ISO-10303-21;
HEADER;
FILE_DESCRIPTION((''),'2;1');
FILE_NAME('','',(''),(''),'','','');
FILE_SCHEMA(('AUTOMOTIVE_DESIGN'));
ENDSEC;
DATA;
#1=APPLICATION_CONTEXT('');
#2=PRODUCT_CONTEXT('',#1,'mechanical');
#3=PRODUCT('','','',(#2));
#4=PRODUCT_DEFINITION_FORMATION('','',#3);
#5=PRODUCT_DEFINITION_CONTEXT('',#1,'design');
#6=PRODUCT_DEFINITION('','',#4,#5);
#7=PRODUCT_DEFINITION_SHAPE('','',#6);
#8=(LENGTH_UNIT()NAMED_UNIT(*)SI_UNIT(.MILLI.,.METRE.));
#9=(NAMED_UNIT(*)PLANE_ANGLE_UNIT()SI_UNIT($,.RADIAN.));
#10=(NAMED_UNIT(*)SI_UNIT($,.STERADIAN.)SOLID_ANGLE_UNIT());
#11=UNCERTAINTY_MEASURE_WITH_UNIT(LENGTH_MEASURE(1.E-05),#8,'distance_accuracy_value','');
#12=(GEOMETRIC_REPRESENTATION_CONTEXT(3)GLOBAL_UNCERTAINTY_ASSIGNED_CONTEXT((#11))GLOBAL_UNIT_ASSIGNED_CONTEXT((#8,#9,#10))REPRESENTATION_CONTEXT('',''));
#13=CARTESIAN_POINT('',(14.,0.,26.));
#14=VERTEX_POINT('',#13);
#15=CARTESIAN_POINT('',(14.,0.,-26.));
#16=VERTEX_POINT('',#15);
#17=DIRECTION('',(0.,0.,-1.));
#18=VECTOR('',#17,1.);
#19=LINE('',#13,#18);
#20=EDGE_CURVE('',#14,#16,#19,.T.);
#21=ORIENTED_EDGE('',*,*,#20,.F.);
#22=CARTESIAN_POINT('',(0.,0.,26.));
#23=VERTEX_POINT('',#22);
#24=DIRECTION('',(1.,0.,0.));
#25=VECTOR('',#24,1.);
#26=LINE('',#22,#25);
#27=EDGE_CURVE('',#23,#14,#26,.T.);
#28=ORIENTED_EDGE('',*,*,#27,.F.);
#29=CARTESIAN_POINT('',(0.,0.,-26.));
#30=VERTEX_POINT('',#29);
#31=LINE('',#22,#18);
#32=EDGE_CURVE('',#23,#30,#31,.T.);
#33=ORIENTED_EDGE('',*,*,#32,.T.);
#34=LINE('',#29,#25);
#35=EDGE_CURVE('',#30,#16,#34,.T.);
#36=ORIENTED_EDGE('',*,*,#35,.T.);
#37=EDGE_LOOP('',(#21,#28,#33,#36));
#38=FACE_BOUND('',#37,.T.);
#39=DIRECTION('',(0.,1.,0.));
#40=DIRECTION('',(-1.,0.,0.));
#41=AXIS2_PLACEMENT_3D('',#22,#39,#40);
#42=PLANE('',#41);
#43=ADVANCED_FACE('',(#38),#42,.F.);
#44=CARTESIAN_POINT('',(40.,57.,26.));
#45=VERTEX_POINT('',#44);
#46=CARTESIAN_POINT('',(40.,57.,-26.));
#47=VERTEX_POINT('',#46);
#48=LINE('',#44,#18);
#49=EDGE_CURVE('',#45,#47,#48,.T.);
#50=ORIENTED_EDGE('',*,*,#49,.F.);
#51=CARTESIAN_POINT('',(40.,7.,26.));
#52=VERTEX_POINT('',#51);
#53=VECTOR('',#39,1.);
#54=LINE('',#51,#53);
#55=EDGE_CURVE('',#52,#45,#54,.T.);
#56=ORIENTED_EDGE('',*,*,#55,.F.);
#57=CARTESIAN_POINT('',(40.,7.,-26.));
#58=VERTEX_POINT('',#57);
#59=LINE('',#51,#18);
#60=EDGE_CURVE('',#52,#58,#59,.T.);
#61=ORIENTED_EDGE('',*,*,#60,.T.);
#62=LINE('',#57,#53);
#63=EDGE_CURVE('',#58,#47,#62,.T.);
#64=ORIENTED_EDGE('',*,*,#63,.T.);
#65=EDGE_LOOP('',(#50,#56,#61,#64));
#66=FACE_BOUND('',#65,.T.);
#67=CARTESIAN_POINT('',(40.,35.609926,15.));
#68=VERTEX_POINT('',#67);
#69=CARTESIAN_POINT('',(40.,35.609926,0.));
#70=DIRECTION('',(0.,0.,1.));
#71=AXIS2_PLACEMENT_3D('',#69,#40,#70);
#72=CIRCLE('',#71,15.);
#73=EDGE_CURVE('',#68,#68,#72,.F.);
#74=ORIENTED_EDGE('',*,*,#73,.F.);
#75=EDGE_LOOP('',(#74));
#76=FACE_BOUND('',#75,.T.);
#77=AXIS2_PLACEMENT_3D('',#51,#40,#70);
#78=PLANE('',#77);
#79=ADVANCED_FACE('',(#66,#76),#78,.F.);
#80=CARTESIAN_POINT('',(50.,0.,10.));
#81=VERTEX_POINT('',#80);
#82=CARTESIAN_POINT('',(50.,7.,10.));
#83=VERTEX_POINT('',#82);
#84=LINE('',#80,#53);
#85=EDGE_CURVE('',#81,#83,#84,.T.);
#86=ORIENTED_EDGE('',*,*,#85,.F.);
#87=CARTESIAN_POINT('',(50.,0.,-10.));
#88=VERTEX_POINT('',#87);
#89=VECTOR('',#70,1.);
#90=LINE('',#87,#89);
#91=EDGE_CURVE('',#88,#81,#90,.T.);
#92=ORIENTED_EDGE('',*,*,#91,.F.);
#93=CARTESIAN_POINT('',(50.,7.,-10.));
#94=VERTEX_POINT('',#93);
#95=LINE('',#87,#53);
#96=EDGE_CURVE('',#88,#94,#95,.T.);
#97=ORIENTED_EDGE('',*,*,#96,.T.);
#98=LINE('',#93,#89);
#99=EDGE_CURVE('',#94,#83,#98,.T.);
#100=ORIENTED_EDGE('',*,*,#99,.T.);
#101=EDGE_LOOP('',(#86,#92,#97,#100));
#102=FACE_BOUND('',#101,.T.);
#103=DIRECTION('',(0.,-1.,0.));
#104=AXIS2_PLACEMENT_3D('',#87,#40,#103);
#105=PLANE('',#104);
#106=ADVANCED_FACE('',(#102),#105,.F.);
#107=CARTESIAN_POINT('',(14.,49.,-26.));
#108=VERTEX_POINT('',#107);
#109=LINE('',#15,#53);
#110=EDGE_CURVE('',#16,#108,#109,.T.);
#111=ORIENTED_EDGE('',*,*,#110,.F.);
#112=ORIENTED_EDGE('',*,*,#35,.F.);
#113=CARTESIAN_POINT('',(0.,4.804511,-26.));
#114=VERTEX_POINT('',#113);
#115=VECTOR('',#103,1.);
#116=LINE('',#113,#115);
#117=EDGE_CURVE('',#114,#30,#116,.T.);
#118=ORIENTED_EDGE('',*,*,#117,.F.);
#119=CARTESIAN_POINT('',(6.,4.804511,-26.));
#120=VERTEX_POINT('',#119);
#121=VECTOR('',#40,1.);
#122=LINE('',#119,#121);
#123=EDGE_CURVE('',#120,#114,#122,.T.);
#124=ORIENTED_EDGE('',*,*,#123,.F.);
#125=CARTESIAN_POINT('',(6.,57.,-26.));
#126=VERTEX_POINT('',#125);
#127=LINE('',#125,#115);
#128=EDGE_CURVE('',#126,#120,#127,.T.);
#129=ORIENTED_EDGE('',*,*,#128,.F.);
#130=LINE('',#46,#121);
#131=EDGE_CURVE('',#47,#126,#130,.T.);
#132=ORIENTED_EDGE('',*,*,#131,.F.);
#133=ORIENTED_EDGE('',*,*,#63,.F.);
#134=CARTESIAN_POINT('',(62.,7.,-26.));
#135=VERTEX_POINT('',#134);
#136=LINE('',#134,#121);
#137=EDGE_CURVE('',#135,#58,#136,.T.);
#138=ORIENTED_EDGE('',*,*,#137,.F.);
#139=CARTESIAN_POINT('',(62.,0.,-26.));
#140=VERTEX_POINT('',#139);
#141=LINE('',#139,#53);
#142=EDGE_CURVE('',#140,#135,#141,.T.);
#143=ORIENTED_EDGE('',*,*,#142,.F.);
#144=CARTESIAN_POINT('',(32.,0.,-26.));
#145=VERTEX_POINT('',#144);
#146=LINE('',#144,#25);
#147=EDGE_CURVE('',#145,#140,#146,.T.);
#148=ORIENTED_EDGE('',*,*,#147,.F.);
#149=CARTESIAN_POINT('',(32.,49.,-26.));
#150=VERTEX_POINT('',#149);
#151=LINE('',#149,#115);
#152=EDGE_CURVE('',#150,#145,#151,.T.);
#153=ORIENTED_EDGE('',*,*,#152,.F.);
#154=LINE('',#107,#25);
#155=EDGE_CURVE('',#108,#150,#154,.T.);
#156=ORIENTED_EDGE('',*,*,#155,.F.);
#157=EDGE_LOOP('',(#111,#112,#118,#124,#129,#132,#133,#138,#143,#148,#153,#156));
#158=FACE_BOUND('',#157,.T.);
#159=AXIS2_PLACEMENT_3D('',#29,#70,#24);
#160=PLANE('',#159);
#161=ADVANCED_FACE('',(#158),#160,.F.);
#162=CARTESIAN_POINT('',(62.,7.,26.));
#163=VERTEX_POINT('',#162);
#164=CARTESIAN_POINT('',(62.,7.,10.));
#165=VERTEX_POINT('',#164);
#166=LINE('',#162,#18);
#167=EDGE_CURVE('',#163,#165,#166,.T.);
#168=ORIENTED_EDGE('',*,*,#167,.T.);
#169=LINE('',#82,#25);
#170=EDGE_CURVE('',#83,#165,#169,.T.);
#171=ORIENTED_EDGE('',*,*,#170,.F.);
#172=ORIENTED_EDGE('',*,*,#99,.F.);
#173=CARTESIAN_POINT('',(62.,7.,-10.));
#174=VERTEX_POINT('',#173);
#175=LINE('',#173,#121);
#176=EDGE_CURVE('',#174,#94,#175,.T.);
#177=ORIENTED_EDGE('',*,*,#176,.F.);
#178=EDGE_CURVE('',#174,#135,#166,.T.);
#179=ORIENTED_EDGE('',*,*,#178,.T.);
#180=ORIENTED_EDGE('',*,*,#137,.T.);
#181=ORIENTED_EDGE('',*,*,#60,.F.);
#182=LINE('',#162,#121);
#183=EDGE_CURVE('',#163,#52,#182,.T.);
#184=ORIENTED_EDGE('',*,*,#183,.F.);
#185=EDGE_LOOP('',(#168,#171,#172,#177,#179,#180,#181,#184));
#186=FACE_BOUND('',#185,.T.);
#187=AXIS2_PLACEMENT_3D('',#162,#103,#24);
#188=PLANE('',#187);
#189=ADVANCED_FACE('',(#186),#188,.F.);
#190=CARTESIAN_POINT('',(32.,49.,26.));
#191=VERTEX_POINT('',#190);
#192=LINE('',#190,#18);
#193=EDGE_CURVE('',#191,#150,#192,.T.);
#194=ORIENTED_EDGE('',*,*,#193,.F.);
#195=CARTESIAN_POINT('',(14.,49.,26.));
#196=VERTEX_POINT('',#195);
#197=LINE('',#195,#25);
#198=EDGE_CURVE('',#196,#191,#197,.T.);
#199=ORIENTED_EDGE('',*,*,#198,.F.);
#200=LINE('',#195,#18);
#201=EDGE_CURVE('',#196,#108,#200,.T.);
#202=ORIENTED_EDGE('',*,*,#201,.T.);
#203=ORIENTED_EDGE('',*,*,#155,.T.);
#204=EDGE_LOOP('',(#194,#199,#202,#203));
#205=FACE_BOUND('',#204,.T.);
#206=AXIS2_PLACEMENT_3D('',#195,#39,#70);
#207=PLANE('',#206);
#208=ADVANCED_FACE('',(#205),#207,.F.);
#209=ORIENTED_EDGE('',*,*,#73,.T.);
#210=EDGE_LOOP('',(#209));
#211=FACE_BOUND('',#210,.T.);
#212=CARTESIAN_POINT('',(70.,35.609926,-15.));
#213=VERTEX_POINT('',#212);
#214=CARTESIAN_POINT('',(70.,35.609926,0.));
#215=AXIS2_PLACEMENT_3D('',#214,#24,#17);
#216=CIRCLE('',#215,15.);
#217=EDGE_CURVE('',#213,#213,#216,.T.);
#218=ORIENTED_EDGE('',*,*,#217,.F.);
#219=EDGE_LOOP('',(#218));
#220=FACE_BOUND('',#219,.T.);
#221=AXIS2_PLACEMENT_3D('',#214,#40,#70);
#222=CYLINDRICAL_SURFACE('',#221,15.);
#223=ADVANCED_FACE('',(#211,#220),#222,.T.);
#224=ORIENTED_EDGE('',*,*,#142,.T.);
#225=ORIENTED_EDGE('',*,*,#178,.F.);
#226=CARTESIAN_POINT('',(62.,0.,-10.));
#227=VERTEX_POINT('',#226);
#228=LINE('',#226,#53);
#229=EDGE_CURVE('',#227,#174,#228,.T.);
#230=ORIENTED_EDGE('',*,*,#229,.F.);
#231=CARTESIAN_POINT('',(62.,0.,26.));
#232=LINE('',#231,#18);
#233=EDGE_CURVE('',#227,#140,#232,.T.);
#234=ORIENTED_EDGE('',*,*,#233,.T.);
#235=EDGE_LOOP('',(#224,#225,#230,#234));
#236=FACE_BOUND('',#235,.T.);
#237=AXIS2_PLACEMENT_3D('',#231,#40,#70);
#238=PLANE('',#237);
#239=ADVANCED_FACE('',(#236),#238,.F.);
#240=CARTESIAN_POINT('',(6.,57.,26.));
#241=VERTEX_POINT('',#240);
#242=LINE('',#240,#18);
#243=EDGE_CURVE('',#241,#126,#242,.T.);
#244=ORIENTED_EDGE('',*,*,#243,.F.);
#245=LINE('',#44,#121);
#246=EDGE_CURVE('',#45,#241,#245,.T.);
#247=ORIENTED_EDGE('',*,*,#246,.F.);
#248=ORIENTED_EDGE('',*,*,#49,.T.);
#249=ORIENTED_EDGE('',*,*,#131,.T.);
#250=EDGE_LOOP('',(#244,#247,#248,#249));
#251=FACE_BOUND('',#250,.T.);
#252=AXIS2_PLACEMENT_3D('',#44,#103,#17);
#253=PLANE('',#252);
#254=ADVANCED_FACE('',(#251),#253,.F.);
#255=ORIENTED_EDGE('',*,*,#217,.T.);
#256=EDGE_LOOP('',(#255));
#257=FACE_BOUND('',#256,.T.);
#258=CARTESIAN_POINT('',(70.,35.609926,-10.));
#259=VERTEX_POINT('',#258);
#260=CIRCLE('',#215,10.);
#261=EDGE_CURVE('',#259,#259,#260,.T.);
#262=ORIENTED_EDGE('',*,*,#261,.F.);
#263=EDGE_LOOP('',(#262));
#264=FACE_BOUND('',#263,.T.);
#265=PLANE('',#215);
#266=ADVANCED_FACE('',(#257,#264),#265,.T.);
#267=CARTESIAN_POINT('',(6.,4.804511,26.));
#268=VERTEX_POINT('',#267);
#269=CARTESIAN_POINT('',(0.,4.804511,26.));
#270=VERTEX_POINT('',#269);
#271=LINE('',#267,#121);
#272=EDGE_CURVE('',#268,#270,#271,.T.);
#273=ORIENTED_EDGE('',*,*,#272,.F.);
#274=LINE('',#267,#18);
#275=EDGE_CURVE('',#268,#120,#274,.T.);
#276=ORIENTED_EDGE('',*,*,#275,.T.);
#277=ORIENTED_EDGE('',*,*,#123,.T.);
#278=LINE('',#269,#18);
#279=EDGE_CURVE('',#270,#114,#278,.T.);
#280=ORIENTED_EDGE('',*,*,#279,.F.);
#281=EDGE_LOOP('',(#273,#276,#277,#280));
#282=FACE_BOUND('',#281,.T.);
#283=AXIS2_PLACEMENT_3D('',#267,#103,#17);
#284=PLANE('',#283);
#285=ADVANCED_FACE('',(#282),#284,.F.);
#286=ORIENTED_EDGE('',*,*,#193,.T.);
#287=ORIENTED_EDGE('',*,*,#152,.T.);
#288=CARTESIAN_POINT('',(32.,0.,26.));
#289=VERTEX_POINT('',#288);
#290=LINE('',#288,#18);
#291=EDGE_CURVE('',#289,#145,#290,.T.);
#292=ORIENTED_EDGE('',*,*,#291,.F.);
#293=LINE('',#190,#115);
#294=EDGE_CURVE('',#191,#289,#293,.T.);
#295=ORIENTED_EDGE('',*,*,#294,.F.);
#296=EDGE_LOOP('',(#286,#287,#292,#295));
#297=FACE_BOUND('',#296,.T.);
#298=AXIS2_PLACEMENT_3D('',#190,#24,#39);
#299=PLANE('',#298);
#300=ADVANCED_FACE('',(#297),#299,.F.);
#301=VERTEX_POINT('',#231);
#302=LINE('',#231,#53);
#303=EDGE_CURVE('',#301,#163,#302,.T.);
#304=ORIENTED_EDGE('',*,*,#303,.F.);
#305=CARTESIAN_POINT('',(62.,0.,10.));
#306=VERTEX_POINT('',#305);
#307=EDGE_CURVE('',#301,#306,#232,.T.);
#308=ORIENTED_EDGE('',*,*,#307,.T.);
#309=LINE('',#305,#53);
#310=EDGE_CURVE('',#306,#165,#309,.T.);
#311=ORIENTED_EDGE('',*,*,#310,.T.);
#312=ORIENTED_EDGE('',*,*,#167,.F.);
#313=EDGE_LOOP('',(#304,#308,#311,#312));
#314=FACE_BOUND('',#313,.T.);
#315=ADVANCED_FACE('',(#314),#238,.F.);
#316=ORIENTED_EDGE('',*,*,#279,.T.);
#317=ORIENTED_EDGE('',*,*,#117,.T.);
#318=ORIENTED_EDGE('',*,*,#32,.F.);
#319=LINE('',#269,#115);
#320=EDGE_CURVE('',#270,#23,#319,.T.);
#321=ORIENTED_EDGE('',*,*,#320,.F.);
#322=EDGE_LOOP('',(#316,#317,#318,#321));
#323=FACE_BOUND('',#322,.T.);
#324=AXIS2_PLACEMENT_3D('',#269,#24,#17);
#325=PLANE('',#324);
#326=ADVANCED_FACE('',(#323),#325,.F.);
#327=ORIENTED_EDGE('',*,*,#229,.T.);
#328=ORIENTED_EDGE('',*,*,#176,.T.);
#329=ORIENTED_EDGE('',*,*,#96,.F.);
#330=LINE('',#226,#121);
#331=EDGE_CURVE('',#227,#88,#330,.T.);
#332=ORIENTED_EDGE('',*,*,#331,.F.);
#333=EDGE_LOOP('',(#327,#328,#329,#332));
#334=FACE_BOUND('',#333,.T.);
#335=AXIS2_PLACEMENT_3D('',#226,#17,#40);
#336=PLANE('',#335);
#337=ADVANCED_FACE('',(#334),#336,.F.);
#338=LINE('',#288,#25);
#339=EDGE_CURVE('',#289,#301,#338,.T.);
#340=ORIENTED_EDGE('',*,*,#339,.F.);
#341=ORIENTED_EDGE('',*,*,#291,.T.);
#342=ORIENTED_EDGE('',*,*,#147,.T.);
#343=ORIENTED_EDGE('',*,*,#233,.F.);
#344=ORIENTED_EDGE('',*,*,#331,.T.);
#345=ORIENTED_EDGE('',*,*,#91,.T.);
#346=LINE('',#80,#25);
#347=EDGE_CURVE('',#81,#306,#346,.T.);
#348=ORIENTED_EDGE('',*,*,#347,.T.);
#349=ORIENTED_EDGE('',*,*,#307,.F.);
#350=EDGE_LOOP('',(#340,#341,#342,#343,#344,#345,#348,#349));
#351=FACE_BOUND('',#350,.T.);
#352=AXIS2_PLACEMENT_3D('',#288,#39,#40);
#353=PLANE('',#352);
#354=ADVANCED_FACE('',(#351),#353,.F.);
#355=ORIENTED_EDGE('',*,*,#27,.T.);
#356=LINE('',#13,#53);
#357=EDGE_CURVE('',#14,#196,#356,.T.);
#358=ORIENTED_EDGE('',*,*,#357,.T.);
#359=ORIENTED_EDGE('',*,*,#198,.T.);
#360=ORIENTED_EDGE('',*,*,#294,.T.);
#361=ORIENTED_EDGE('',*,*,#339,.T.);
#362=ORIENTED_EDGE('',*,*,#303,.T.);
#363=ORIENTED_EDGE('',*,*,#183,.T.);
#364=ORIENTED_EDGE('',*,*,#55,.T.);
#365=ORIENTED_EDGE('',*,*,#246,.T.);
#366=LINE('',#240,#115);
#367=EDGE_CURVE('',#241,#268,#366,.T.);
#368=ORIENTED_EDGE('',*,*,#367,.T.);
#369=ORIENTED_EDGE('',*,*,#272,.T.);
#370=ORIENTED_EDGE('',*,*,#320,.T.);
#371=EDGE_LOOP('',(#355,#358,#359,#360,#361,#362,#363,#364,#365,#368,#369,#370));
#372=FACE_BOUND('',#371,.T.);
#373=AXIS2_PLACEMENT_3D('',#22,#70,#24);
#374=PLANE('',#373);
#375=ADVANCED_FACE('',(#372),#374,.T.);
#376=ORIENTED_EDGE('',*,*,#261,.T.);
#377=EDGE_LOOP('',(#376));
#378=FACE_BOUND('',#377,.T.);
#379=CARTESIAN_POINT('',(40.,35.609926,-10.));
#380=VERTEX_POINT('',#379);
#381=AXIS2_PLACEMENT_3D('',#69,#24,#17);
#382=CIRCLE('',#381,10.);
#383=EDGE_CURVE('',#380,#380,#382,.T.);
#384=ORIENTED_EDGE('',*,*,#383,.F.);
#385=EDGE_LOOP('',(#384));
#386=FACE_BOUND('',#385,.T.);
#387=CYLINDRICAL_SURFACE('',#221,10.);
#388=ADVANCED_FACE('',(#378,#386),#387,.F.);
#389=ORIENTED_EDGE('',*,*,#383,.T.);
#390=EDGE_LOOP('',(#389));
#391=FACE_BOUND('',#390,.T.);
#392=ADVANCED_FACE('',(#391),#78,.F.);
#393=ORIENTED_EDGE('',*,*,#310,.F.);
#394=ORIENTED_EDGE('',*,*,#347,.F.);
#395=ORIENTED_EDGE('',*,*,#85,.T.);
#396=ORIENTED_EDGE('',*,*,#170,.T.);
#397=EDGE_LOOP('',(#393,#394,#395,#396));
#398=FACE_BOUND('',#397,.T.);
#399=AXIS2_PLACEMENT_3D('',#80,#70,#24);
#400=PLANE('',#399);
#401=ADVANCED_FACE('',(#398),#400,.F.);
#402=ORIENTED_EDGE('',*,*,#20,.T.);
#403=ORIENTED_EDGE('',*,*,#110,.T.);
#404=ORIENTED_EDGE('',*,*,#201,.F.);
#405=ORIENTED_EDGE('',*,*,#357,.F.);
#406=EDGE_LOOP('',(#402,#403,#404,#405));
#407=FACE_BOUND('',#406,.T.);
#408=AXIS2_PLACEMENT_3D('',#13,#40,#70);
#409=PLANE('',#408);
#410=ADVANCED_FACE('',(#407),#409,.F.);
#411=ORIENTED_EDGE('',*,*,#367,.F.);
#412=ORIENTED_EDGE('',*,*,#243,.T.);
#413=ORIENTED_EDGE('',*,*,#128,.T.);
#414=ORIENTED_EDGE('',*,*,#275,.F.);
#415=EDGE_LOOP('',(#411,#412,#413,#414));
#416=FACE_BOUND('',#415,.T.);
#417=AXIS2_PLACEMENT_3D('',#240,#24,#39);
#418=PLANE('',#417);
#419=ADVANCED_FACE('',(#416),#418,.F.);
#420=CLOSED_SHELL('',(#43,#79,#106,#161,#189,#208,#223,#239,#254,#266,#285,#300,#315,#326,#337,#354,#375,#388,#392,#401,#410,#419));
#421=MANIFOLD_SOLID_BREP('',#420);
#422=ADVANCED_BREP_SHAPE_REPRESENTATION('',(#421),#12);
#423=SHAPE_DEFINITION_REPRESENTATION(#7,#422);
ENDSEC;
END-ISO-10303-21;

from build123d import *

# Parameters (mm, degrees)
SALIENTE_EXTRUIR2_DEPTH = 26
CORTAR_EXTRUIR1_DEPTH   = 84.785440263
CROQUIS4_R              = 15
CROQUIS4_R_2            = 10
SALIENTE_EXTRUIR3_DEPTH = 30


with BuildPart() as part:
    # Croquis1 → Saliente-Extruir2 (new, symmetric)
    with BuildSketch(Plane.XY):
        Polygon((0, 0), (14, 0), (14, 49), (32, 49), (32, 0), (62, 0), (62, 7), (40, 7), (40, 57), (6, 57), (6, 4.804511278), (0, 4.804511278), align=None)
    extrude(amount=SALIENTE_EXTRUIR2_DEPTH, both=True)

    # Croquis3 → Cortar-Extruir1 (cut, through all)
    with BuildSketch(Plane(origin=(0, 7, 0), x_dir=(1, 0, 0), z_dir=(0, 1, 0))):
        Polygon((62, 0), (62, 10), (50, 10), (50, -10), (62, -10), align=None)
    extrude(amount=-CORTAR_EXTRUIR1_DEPTH, mode=Mode.SUBTRACT)

    # Croquis4 → Saliente-Extruir3 (add)
    with BuildSketch(Plane(origin=(40, 0, 0), x_dir=(0, 0, -1), z_dir=(1, 0, 0))):
        with Locations(Location((0, 35.609925513, 0), (0, 0, 180))):
            Circle(CROQUIS4_R)
        with Locations((0, 35.609925513)):
            Circle(CROQUIS4_R_2, mode=Mode.SUBTRACT)
    extrude(amount=SALIENTE_EXTRUIR3_DEPTH)


solid = part.part
